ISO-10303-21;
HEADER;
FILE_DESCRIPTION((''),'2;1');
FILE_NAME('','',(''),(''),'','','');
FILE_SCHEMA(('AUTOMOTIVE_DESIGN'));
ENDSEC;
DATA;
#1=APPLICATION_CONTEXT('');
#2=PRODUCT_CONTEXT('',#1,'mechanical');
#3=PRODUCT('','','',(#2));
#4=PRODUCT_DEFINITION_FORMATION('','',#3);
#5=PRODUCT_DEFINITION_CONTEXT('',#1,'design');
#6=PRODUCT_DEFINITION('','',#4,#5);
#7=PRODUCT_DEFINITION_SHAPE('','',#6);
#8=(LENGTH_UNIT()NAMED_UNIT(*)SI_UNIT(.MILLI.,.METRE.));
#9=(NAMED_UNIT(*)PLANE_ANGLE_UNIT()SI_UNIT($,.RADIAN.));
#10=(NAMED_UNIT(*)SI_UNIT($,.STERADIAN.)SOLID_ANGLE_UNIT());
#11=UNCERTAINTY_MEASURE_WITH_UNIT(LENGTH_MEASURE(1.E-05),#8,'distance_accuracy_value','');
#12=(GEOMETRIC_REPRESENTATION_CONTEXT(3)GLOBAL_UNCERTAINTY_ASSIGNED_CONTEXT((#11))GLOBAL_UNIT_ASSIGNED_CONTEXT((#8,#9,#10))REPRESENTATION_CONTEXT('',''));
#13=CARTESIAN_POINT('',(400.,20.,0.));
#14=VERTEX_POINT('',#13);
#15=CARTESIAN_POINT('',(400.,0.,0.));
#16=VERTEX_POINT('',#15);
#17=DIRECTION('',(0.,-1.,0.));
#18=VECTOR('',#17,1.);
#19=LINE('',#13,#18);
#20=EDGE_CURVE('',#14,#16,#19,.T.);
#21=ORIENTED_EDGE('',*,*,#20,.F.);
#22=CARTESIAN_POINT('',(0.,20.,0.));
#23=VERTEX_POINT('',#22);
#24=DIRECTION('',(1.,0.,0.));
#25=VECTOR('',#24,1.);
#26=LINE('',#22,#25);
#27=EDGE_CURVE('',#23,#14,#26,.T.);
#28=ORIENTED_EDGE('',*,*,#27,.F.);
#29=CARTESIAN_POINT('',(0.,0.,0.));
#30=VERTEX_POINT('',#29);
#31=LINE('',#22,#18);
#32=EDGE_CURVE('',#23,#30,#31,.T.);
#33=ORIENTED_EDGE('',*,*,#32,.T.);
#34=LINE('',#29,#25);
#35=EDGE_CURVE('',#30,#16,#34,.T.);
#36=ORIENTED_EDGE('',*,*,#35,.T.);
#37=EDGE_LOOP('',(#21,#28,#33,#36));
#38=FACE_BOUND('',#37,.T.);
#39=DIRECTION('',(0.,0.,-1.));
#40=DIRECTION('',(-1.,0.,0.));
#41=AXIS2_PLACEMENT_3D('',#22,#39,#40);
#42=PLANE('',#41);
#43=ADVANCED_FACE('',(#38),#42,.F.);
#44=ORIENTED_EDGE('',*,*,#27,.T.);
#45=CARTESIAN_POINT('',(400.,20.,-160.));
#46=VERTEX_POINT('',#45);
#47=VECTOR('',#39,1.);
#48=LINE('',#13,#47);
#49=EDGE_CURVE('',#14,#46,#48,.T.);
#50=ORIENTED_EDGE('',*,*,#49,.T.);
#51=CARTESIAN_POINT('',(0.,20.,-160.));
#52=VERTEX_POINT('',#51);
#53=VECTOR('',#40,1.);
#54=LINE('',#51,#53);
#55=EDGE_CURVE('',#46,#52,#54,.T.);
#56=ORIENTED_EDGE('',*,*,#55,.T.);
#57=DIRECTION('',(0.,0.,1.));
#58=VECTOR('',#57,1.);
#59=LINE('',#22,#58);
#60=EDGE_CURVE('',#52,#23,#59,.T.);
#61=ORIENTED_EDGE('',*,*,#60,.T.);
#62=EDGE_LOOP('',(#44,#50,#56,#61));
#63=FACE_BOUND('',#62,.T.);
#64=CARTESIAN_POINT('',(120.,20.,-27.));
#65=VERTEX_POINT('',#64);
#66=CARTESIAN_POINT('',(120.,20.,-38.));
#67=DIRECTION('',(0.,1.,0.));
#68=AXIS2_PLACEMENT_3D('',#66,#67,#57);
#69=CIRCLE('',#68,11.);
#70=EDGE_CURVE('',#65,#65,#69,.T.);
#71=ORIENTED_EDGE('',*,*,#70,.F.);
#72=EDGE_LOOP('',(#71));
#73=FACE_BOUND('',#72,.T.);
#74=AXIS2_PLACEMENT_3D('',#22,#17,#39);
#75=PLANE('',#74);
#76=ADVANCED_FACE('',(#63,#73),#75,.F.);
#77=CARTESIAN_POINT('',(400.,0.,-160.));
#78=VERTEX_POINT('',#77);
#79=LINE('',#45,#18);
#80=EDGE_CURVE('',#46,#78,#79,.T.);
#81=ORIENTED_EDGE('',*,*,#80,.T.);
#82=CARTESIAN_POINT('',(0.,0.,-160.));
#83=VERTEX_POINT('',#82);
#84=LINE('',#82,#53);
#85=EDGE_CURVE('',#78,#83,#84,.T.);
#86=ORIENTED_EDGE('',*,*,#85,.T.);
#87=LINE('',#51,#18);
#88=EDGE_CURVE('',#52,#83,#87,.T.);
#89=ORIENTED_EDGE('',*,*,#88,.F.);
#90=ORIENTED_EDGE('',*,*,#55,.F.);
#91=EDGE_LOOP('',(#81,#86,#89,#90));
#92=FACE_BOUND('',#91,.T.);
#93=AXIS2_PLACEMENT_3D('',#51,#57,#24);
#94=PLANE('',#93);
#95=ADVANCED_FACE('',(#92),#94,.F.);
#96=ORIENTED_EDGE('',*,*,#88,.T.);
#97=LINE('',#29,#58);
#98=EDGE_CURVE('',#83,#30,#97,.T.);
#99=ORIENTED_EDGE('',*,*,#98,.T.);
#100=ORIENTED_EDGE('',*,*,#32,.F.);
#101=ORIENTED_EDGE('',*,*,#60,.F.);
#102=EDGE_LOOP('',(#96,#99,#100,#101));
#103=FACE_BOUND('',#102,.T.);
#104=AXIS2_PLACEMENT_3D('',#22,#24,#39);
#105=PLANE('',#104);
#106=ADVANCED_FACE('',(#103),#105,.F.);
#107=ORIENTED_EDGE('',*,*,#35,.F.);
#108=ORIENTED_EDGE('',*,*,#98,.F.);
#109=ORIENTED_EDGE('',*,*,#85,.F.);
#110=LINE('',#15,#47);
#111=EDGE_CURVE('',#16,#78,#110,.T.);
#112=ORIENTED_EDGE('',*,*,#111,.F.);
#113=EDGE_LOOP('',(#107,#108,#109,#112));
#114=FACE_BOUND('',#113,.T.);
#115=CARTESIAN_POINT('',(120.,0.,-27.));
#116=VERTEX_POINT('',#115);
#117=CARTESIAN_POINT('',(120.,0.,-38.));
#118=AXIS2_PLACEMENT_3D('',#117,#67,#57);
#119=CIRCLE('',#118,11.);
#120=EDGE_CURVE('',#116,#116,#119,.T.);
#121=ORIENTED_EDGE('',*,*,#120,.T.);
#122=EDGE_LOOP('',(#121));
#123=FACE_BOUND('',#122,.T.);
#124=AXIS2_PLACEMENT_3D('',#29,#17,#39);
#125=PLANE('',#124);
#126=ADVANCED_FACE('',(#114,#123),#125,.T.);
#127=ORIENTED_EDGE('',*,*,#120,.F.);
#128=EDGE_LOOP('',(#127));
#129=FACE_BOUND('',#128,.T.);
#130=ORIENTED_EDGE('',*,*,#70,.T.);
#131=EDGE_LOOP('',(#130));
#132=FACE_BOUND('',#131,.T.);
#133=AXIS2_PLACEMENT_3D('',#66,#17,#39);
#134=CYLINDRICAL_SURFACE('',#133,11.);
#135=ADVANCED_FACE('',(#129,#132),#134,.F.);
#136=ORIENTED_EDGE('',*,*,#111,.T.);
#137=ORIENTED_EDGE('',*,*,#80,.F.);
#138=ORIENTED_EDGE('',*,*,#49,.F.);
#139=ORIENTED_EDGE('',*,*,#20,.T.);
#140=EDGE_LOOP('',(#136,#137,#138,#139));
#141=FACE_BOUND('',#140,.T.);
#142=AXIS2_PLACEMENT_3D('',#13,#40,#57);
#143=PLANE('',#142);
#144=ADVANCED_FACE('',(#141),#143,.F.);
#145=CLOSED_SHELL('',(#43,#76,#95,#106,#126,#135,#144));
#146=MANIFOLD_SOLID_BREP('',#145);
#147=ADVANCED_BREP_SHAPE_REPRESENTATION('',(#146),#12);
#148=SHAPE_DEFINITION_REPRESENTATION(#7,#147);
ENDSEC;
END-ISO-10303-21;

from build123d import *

# Parameters (mm, degrees)
SKETCH_1_W      = 400
SKETCH_1_H      = 160
SKETCH_1_R      = 11
EXTRUDE_1_DEPTH = 20


with BuildPart() as part:
    # 스케치1 → 보스-돌출1 (new body)
    with BuildSketch(Plane(origin=(0, 0, 0), x_dir=(1, 0, 0), z_dir=(0, 1, 0))):
        with Locations((200, 80)):
            Rectangle(SKETCH_1_W, SKETCH_1_H)
        with Locations(Location((120, 38, 0), (0, 0, 270))):
            Circle(SKETCH_1_R, mode=Mode.SUBTRACT)
    extrude(amount=EXTRUDE_1_DEPTH)


solid = part.part
